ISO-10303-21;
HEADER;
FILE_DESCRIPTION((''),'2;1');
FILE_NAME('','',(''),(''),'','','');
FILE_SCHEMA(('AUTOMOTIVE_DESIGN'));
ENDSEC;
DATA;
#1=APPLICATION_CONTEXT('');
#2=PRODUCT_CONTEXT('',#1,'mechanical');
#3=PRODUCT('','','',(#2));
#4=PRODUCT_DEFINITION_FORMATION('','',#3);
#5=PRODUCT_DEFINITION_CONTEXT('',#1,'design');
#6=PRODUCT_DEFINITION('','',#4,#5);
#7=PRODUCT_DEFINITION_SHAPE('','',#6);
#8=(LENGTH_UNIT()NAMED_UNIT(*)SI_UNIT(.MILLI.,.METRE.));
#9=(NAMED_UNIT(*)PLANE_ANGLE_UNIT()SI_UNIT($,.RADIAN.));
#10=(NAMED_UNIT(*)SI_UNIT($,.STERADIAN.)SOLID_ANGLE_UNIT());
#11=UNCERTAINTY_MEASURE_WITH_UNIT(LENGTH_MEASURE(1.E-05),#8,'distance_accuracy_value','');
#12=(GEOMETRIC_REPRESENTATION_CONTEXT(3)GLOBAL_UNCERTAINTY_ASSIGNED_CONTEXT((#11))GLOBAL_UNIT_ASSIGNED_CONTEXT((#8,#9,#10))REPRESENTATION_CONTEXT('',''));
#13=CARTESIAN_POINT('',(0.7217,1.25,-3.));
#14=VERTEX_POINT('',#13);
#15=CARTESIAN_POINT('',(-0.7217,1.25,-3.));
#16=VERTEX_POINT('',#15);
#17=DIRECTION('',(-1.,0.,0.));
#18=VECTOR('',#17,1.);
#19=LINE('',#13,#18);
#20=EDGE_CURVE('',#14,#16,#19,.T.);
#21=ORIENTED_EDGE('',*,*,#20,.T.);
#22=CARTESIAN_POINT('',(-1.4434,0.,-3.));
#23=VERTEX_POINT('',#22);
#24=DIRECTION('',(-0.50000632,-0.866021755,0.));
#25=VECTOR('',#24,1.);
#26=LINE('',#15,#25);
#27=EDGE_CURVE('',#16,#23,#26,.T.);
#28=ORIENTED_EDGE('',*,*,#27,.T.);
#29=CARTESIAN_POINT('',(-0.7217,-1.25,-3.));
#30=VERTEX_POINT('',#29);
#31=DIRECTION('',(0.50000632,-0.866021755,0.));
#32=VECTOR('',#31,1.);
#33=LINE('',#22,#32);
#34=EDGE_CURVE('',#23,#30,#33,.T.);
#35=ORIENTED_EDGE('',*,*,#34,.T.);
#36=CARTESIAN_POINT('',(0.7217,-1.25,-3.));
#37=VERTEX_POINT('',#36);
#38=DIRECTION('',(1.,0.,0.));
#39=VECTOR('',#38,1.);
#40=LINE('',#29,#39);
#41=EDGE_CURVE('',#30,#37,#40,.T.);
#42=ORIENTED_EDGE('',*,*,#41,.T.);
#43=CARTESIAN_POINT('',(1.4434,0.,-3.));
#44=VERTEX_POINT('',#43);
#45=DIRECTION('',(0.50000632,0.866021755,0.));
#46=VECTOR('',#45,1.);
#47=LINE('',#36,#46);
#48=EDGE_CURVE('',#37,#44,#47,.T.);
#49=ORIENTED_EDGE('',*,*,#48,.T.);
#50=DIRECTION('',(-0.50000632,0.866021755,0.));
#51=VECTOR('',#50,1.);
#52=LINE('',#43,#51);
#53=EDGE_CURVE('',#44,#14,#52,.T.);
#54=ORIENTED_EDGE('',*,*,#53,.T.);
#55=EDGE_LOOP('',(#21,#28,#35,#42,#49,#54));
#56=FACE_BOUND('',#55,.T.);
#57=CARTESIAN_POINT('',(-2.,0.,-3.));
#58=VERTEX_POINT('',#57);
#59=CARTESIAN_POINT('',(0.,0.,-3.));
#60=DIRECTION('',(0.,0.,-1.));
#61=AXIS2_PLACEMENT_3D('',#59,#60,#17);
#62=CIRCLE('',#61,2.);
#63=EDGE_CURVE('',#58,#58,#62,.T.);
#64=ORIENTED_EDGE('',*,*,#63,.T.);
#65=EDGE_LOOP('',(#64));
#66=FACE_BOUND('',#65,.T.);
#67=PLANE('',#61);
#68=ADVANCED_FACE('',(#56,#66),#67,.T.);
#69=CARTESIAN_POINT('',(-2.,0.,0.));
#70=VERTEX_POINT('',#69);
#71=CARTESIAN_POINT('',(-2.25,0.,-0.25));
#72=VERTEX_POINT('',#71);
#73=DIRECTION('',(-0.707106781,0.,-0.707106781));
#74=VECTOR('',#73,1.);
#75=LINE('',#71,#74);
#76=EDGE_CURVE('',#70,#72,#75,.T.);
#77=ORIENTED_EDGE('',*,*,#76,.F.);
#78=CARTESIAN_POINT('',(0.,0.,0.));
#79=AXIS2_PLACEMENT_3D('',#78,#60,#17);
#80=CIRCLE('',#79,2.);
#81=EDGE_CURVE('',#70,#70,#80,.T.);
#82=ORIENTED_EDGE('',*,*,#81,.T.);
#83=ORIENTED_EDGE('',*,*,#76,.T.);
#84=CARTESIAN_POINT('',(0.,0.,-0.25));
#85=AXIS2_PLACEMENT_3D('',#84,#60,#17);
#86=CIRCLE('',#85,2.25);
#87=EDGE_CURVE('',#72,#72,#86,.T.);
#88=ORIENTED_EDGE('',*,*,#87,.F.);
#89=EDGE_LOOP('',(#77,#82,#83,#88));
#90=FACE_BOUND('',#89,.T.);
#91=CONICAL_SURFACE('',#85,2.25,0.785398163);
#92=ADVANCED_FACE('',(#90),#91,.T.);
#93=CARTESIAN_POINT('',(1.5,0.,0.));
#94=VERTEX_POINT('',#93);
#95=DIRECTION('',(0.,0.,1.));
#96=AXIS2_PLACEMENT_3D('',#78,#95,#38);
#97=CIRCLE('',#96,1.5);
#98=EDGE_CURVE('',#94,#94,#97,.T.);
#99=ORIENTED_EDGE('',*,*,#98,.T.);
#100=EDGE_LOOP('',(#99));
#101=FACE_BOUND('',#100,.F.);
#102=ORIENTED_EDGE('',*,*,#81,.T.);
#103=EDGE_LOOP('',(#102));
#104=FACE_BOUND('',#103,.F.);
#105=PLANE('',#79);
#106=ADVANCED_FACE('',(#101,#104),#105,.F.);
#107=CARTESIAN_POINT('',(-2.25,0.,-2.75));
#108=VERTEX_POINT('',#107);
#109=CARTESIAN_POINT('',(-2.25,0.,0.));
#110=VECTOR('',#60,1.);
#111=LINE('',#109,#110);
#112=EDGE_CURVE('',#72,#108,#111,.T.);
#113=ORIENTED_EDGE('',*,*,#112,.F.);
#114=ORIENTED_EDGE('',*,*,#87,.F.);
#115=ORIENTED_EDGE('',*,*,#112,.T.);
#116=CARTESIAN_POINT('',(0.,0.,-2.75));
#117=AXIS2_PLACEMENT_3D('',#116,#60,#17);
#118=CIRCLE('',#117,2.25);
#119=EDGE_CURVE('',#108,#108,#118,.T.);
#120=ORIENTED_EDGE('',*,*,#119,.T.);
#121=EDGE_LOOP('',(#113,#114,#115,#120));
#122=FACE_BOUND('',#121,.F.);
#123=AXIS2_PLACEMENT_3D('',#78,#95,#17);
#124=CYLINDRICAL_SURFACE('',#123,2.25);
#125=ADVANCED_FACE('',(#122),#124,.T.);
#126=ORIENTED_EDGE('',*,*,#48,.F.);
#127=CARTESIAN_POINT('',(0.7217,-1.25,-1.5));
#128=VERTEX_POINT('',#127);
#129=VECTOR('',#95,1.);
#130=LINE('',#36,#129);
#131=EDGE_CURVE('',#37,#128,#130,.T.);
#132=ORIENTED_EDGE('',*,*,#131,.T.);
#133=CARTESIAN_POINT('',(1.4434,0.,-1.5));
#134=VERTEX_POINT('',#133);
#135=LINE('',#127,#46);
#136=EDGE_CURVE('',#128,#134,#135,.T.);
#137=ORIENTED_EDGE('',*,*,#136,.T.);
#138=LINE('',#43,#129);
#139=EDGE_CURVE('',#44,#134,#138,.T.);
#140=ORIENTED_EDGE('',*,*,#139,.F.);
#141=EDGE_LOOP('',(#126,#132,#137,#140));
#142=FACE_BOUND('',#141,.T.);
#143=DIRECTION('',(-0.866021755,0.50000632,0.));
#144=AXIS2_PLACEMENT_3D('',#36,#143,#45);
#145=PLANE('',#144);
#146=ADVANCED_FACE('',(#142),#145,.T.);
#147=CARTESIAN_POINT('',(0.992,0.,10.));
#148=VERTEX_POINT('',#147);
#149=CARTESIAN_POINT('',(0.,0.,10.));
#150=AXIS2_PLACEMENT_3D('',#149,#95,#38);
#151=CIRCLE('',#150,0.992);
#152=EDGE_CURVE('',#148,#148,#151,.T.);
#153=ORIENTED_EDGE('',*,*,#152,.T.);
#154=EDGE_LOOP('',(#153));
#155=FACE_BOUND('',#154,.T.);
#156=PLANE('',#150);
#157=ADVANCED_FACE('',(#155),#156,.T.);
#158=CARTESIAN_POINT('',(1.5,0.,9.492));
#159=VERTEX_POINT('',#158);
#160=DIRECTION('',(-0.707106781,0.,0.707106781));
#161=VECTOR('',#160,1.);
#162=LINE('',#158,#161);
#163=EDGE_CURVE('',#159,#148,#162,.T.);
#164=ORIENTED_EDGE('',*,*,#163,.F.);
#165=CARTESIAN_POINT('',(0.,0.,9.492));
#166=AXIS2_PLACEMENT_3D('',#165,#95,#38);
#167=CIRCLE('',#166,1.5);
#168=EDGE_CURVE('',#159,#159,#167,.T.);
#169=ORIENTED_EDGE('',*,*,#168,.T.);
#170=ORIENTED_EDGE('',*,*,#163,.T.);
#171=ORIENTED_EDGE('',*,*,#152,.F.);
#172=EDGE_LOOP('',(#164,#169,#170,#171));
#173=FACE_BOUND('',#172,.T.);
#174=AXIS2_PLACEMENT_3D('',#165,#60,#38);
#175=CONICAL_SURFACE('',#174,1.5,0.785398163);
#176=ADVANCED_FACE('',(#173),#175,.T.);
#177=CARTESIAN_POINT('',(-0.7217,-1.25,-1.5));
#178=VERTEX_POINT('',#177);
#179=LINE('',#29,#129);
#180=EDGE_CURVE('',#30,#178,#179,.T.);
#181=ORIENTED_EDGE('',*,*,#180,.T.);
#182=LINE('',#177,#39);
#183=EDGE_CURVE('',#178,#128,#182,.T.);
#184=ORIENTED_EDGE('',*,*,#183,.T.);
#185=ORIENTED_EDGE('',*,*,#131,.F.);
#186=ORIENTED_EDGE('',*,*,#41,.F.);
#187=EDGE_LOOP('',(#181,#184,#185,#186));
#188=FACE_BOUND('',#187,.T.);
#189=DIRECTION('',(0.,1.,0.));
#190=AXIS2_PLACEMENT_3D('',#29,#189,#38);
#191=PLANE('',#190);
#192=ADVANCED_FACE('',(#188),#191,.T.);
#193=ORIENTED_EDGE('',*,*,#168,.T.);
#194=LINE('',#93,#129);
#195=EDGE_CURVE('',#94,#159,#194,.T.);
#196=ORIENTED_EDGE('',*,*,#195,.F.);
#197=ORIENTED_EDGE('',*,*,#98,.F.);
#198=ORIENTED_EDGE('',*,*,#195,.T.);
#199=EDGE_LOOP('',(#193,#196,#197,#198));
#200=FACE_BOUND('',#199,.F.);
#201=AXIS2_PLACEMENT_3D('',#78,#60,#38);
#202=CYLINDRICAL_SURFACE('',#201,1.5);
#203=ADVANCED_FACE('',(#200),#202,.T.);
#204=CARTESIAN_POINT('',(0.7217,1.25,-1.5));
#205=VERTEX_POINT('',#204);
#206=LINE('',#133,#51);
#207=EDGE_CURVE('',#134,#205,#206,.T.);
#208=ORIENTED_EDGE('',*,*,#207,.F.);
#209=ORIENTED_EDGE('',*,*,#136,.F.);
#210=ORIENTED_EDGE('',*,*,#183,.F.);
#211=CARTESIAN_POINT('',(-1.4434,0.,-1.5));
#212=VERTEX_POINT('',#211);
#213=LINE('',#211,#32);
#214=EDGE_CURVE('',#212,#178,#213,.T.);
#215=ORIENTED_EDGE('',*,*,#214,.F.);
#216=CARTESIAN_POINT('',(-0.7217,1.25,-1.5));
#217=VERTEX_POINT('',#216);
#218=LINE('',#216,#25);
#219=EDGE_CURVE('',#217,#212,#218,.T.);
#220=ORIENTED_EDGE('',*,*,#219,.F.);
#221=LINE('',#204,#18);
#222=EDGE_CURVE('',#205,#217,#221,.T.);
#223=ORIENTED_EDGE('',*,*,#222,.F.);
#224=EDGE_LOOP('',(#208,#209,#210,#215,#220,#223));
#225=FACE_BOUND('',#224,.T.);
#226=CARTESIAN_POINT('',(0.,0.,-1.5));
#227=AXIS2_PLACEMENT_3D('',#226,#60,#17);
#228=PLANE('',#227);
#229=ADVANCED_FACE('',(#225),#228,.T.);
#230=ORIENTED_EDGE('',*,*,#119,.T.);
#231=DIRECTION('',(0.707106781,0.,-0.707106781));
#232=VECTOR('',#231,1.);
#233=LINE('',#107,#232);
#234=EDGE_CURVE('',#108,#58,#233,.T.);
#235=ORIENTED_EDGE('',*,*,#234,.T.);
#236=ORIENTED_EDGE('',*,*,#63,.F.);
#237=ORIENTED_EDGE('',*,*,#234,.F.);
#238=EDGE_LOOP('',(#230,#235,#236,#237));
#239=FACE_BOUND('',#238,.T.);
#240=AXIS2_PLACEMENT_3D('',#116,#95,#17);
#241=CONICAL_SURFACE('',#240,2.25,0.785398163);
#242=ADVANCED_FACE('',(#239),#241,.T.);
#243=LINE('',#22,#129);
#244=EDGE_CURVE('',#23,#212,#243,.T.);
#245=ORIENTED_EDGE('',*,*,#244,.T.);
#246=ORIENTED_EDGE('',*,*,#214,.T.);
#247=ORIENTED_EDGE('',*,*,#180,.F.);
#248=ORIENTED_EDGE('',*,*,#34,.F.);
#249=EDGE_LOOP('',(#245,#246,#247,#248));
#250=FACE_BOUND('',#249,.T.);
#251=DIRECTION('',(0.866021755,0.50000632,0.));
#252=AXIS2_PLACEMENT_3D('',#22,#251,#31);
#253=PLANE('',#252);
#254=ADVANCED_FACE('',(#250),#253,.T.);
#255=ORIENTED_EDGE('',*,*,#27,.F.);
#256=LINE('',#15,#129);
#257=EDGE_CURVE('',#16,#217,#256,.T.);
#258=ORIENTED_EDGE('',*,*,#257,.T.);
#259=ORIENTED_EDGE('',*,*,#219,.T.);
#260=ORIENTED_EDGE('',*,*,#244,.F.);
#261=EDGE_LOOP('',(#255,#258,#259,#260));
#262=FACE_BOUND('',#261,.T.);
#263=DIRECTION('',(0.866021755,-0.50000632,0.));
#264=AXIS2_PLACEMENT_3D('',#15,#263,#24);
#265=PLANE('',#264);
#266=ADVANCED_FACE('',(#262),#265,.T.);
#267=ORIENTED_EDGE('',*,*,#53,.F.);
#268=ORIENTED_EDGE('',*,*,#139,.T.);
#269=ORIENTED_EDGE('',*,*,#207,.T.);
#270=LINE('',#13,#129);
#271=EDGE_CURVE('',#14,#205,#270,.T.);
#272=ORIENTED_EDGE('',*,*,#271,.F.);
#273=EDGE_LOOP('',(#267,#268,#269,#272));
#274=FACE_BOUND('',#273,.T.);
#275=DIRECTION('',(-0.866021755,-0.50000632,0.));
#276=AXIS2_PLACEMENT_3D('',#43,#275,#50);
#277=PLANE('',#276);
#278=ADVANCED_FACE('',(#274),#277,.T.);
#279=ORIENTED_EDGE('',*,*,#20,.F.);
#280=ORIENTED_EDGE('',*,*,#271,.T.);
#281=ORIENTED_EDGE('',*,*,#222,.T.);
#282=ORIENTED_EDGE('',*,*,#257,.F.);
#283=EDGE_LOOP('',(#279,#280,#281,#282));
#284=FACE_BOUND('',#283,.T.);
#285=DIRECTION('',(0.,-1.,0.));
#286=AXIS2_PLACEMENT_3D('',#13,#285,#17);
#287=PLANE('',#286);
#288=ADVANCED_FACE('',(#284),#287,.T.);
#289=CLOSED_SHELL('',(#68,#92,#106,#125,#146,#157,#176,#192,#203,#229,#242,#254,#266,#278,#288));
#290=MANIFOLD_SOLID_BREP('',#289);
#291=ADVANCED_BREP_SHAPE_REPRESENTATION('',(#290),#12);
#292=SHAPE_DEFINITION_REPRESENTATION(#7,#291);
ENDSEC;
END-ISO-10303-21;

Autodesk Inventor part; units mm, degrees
ref_plane "YZ Plane" through (0, 0, 0) normal (1, 0, 0) x (0, 1, 0)
ref_plane "XZ Plane" through (0, 0, 0) normal (0, 1, 0) x (-1, 0, 0)
ref_plane "XY Plane" through (0, 0, 0) normal (0, 0, 1) x (1, 0, 0)
sketch "Sketch1" plane through (0, 0, 0) normal (0, 0, 1) x (1, 0, 0)
  circle A0 centre (0, 0) radius 1.5
  dimension "d0" = 3
extrude "Extrusion1" add sketch "Sketch1" along normal blind 10
sketch "Sketch2" plane through (0, 0, 0) normal (0, 0, -1) x (-1, 0, 0)
  circle A0 centre (0, 0) radius 1.5 projected
  circle A1 centre (0, 0) radius 2.25
  dimension "d3" = 4.5
extrude "Extrusion2" add sketch "Sketch2" along normal blind 3 contours A0 | A1
sketch "Sketch3" plane through (0, 0, -3) normal (0, 0, -1) x (-1, 0, 0)
  circle A0 centre (0, 0) radius 2.25 projected
  line L0 (-0.7217, 1.25) -> (0.7217, 1.25)
  line L1 (0.7217, 1.25) -> (1.4434, 0)
  line L2 (1.4434, 0) -> (0.7217, -1.25)
  line L3 (0.7217, -1.25) -> (-0.7217, -1.25)
  line L4 (-0.7217, -1.25) -> (-1.4434, 0)
  line L5 (-1.4434, 0) -> (-0.7217, 1.25)
  dimension "d6" = 2.5
extrude "Extrusion3" cut sketch "Sketch3" against normal blind 1.5 contours L0 L1 L2 L3 L4 L5
thread "Thread1" size "M3x0.5" class "6g" standard "ANSI Metric M Profile" full length
chamfer "Chamfer1" distance 0.508 angle 45 1 edges at (-1.5, 0, 10)
chamfer "Chamfer2" distance 0.25 angle 45 2 edges at (2.25, 0, -3) (2.25, 0, 0)
properties part number "m3 x10" material "Steel"
